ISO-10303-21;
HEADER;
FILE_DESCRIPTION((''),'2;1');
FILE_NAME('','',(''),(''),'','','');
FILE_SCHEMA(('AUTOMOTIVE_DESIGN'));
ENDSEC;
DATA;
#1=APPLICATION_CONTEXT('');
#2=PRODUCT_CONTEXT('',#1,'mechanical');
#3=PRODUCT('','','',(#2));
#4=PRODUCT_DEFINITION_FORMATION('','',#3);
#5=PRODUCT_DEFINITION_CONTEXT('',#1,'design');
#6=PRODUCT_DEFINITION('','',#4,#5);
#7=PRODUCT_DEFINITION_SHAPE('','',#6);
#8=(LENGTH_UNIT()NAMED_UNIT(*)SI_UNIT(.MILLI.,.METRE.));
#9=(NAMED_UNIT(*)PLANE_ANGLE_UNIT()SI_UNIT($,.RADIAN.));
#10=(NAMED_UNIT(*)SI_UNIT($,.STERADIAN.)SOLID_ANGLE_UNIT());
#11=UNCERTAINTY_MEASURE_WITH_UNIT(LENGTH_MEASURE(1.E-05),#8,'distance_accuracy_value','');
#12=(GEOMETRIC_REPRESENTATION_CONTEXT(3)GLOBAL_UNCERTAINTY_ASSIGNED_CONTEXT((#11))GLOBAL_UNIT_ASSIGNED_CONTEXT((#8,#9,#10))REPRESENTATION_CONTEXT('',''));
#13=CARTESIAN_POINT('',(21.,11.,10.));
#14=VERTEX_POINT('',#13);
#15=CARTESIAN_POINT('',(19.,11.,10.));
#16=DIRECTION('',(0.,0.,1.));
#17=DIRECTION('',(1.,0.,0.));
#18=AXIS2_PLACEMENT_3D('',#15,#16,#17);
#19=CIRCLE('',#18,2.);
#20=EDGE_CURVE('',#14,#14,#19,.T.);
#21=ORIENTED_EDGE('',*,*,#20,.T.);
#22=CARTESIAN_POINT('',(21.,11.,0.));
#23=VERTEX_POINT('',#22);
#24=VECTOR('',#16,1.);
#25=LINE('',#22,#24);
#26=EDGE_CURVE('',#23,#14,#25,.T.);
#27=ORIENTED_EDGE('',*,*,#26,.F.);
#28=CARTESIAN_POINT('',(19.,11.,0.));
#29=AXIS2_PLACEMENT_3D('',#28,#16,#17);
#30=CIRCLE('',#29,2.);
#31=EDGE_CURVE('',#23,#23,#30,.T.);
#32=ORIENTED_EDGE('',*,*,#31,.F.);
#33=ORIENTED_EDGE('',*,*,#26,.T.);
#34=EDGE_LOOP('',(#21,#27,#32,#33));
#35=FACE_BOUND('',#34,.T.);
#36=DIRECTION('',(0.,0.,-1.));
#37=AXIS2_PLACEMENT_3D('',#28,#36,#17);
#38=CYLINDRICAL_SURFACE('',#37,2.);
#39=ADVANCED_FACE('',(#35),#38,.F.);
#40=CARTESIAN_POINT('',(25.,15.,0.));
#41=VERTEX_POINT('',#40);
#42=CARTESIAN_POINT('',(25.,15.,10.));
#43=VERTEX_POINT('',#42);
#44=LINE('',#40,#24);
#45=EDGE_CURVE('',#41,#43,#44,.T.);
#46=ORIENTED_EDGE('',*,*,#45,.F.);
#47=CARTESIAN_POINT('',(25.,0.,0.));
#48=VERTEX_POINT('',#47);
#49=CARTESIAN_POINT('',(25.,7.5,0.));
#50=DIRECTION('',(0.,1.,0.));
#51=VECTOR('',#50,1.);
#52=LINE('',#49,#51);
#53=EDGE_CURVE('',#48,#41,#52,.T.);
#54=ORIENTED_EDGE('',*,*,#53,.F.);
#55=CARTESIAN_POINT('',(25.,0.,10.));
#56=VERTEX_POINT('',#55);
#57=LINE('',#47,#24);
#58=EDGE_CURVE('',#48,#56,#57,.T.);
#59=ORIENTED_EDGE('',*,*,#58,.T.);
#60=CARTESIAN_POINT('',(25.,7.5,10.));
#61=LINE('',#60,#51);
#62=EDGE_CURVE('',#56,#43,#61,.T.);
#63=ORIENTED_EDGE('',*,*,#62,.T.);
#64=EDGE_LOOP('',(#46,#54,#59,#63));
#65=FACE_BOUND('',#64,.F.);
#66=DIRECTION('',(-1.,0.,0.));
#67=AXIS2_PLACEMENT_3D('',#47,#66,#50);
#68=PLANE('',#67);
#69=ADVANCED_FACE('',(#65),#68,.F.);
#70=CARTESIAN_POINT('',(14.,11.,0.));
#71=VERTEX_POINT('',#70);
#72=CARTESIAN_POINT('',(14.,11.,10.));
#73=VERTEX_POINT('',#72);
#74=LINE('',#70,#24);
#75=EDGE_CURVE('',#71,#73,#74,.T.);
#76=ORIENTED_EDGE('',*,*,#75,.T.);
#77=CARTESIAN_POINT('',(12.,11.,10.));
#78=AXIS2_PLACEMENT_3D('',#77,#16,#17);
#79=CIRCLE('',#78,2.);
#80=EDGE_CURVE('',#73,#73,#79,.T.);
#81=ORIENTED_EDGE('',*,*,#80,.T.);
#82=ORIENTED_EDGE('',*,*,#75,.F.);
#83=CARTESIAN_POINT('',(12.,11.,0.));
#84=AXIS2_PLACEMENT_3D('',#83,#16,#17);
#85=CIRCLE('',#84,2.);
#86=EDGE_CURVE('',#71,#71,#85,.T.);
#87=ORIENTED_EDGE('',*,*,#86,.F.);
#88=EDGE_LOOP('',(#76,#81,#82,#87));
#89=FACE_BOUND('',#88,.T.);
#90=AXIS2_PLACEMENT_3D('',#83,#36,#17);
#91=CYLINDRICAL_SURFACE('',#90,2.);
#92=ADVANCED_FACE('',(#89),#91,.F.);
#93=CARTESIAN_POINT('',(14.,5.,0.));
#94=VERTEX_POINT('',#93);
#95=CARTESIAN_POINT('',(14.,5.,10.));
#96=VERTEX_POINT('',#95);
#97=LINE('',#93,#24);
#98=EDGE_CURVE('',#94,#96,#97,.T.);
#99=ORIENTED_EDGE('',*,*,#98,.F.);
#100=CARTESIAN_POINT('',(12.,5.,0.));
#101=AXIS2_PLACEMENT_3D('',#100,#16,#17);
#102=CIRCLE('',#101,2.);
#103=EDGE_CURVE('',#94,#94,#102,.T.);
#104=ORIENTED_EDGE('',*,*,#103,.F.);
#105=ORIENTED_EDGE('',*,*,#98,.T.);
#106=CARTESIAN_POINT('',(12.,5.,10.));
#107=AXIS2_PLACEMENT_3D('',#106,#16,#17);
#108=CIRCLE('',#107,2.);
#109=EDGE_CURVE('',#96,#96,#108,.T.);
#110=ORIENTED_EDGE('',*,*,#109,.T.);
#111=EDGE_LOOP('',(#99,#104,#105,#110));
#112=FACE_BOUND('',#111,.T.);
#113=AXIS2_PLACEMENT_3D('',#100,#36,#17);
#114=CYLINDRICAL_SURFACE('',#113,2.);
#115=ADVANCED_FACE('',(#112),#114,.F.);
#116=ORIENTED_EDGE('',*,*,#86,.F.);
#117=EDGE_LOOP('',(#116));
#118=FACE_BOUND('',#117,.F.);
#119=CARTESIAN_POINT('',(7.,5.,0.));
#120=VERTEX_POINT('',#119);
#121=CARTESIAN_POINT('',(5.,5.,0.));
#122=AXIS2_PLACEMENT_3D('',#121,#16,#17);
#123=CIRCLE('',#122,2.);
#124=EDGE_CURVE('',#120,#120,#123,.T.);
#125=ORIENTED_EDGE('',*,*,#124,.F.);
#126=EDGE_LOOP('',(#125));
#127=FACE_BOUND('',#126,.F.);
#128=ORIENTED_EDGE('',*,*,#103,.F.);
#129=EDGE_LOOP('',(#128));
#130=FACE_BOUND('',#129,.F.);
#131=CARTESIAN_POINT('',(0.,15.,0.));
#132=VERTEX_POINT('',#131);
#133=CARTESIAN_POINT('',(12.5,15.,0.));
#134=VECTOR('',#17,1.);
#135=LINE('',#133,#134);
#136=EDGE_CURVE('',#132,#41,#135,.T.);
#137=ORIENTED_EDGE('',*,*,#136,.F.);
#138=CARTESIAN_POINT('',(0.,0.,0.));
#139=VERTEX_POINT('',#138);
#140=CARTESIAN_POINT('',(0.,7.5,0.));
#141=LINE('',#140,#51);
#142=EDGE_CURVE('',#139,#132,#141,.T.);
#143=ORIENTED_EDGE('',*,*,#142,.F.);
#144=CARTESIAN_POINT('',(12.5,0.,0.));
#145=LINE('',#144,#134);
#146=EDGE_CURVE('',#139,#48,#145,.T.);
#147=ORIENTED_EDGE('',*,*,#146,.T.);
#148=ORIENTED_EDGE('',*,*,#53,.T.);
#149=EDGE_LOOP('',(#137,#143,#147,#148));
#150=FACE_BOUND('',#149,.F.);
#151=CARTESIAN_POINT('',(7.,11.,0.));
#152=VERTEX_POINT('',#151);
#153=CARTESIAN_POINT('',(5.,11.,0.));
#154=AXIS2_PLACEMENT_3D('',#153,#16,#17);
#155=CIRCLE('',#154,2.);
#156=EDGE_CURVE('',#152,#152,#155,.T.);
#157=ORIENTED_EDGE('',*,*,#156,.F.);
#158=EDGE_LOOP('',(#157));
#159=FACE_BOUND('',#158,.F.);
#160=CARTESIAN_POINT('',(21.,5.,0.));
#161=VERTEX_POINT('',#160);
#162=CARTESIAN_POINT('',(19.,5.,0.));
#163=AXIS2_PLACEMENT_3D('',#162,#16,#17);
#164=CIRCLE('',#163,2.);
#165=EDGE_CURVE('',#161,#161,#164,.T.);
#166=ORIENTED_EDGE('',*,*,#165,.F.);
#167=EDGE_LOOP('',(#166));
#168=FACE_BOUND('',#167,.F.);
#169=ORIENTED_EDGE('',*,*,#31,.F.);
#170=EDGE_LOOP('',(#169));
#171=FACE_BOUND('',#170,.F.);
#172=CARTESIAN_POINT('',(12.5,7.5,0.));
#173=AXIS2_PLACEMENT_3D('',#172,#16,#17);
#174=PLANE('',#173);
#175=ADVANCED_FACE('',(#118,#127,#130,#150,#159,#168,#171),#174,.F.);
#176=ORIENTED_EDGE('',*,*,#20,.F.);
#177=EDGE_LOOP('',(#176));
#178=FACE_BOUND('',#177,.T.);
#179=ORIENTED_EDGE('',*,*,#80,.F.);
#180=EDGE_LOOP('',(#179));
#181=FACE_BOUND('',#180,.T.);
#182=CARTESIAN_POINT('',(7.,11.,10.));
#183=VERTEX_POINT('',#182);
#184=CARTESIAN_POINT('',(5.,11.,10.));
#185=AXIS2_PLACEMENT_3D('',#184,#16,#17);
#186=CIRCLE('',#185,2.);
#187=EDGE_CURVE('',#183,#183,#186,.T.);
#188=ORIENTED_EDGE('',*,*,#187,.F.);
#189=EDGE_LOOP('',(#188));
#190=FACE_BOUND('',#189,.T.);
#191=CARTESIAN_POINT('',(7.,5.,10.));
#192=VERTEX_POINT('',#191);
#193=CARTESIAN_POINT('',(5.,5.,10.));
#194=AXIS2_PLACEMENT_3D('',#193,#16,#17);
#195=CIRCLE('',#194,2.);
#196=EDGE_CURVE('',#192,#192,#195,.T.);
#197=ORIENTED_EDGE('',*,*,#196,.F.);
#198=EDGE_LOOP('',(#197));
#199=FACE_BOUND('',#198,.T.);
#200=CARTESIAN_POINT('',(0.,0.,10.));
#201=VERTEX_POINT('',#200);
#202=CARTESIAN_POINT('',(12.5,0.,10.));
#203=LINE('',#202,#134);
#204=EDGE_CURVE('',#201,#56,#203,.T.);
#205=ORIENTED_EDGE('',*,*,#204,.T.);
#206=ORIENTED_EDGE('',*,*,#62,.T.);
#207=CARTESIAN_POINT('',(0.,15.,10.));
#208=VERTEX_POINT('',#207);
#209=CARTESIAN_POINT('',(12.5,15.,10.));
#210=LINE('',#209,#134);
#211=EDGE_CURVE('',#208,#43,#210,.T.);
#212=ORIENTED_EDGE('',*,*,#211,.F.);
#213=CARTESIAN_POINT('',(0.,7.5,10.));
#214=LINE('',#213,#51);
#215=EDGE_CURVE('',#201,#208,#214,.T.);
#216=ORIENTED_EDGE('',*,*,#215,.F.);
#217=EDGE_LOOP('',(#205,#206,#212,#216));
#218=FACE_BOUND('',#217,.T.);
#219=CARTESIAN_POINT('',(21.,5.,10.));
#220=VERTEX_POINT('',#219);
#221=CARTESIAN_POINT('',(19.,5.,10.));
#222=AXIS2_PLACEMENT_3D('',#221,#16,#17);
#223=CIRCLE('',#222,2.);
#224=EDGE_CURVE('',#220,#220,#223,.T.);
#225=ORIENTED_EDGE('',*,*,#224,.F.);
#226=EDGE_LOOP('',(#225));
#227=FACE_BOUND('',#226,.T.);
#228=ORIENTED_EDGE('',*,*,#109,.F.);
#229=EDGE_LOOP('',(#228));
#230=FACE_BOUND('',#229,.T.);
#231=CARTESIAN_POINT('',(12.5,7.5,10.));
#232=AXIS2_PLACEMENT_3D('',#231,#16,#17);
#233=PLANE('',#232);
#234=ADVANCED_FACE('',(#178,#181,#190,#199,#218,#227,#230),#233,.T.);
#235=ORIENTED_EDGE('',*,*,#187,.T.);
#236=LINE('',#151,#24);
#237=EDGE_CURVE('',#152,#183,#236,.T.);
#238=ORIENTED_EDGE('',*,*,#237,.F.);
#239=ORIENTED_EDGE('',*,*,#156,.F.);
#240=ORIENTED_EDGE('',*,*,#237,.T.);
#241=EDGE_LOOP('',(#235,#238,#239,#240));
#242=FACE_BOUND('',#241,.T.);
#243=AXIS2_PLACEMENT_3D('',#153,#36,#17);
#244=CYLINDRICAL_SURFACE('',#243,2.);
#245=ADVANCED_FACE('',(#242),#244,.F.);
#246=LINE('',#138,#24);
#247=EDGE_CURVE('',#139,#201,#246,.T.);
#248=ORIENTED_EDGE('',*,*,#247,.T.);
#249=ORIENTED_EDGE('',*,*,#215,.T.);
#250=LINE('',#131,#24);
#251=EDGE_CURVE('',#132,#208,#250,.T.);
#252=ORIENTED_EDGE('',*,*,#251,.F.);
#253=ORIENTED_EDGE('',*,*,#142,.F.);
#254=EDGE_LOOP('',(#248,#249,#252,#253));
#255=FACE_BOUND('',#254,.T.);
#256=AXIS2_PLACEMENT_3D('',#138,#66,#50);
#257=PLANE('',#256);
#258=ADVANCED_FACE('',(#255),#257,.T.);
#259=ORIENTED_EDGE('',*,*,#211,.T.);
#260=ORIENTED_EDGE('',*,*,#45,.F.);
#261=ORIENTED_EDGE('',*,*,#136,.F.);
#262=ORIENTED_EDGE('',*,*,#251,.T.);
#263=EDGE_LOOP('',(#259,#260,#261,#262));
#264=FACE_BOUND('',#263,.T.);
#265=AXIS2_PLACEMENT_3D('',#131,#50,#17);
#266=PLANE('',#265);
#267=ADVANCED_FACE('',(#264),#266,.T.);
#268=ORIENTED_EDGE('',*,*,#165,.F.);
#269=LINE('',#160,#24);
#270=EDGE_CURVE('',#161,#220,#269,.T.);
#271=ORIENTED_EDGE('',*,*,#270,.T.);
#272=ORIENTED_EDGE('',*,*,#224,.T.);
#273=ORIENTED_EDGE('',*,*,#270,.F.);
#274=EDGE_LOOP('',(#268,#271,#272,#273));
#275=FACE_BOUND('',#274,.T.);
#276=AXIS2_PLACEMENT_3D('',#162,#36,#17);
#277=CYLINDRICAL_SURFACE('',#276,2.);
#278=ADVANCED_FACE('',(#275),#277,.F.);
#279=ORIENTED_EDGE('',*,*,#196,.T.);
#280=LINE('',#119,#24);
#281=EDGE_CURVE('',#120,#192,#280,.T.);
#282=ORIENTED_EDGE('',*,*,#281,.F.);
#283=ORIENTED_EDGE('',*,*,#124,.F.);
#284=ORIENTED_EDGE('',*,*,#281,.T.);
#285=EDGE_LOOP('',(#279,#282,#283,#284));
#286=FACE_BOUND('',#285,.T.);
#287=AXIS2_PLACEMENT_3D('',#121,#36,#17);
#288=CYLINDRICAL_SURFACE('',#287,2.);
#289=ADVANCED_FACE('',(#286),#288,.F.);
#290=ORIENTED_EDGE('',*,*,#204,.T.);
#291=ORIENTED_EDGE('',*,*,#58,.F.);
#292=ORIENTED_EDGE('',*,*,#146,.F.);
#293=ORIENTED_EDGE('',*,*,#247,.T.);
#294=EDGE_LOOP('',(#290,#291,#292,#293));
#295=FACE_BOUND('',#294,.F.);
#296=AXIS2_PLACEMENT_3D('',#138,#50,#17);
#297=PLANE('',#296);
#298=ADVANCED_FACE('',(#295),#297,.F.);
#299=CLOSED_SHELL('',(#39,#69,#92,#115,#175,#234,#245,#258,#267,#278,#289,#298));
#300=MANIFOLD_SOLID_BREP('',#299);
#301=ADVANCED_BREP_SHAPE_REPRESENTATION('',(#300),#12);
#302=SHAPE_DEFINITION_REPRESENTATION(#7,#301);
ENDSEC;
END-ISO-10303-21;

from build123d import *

# Parameters (mm, degrees)
CYLINDER005_R     = 2
CYLINDER005_DEPTH = 10
CYLINDER004_R     = 2
CYLINDER004_DEPTH = 10
CYLINDER002_R     = 2
CYLINDER002_DEPTH = 10
CYLINDER003_R     = 2
CYLINDER003_DEPTH = 10
CYLINDER_R        = 2
CYLINDER_DEPTH    = 10
CYLINDER001_R     = 2
CYLINDER001_DEPTH = 10
BOX_W             = 25
BOX_H             = 15
BOX_DEPTH         = 10


with BuildPart() as cilindro005:
    # Cylinder005 → Cylinder005 (new body)
    with BuildSketch(Plane(origin=(19, 11, 0), x_dir=(1, 0, 0), z_dir=(0, 0, 1))):
        Circle(CYLINDER005_R)
    extrude(amount=CYLINDER005_DEPTH)


with BuildPart() as fusion:
    # Cylinder004 → Cylinder004 (new body)
    with BuildSketch(Plane(origin=(12, 11, 0), x_dir=(1, 0, 0), z_dir=(0, 0, 1))):
        Circle(CYLINDER004_R)
    extrude(amount=CYLINDER004_DEPTH)

    # Fusion: union Cilindro005
    add(cilindro005.part)


with BuildPart() as cilindro002:
    # Cylinder002 → Cylinder002 (new body)
    with BuildSketch(Plane(origin=(19, 5, 0), x_dir=(1, 0, 0), z_dir=(0, 0, 1))):
        Circle(CYLINDER002_R)
    extrude(amount=CYLINDER002_DEPTH)


with BuildPart() as fusion001:
    # Cylinder003 → Cylinder003 (new body)
    with BuildSketch(Plane(origin=(5, 11, 0), x_dir=(1, 0, 0), z_dir=(0, 0, 1))):
        Circle(CYLINDER003_R)
    extrude(amount=CYLINDER003_DEPTH)

    # Fusion001: union Cilindro002
    add(cilindro002.part)


with BuildPart() as cilindro:
    # Cylinder → Cylinder (new body)
    with BuildSketch(Plane(origin=(5, 5, 0), x_dir=(1, 0, 0), z_dir=(0, 0, 1))):
        Circle(CYLINDER_R)
    extrude(amount=CYLINDER_DEPTH)


with BuildPart() as agujeros:
    # Cylinder001 → Cylinder001 (new body)
    with BuildSketch(Plane(origin=(12, 5, 0), x_dir=(1, 0, 0), z_dir=(0, 0, 1))):
        Circle(CYLINDER001_R)
    extrude(amount=CYLINDER001_DEPTH)

    # Fusion002: union Cilindro
    add(cilindro.part)

    # Fusion003: union Fusion, Fusion001
    add(fusion.part)
    add(fusion001.part)


with BuildPart() as ladrillo:
    # Box → Box (new body)
    with BuildSketch(Plane.XY):
        with Locations((12.5, 7.5)):
            Rectangle(BOX_W, BOX_H)
    extrude(amount=BOX_DEPTH)

    # Cut: cut agujeros
    add(agujeros.part, mode=Mode.SUBTRACT)


solid = ladrillo.part
